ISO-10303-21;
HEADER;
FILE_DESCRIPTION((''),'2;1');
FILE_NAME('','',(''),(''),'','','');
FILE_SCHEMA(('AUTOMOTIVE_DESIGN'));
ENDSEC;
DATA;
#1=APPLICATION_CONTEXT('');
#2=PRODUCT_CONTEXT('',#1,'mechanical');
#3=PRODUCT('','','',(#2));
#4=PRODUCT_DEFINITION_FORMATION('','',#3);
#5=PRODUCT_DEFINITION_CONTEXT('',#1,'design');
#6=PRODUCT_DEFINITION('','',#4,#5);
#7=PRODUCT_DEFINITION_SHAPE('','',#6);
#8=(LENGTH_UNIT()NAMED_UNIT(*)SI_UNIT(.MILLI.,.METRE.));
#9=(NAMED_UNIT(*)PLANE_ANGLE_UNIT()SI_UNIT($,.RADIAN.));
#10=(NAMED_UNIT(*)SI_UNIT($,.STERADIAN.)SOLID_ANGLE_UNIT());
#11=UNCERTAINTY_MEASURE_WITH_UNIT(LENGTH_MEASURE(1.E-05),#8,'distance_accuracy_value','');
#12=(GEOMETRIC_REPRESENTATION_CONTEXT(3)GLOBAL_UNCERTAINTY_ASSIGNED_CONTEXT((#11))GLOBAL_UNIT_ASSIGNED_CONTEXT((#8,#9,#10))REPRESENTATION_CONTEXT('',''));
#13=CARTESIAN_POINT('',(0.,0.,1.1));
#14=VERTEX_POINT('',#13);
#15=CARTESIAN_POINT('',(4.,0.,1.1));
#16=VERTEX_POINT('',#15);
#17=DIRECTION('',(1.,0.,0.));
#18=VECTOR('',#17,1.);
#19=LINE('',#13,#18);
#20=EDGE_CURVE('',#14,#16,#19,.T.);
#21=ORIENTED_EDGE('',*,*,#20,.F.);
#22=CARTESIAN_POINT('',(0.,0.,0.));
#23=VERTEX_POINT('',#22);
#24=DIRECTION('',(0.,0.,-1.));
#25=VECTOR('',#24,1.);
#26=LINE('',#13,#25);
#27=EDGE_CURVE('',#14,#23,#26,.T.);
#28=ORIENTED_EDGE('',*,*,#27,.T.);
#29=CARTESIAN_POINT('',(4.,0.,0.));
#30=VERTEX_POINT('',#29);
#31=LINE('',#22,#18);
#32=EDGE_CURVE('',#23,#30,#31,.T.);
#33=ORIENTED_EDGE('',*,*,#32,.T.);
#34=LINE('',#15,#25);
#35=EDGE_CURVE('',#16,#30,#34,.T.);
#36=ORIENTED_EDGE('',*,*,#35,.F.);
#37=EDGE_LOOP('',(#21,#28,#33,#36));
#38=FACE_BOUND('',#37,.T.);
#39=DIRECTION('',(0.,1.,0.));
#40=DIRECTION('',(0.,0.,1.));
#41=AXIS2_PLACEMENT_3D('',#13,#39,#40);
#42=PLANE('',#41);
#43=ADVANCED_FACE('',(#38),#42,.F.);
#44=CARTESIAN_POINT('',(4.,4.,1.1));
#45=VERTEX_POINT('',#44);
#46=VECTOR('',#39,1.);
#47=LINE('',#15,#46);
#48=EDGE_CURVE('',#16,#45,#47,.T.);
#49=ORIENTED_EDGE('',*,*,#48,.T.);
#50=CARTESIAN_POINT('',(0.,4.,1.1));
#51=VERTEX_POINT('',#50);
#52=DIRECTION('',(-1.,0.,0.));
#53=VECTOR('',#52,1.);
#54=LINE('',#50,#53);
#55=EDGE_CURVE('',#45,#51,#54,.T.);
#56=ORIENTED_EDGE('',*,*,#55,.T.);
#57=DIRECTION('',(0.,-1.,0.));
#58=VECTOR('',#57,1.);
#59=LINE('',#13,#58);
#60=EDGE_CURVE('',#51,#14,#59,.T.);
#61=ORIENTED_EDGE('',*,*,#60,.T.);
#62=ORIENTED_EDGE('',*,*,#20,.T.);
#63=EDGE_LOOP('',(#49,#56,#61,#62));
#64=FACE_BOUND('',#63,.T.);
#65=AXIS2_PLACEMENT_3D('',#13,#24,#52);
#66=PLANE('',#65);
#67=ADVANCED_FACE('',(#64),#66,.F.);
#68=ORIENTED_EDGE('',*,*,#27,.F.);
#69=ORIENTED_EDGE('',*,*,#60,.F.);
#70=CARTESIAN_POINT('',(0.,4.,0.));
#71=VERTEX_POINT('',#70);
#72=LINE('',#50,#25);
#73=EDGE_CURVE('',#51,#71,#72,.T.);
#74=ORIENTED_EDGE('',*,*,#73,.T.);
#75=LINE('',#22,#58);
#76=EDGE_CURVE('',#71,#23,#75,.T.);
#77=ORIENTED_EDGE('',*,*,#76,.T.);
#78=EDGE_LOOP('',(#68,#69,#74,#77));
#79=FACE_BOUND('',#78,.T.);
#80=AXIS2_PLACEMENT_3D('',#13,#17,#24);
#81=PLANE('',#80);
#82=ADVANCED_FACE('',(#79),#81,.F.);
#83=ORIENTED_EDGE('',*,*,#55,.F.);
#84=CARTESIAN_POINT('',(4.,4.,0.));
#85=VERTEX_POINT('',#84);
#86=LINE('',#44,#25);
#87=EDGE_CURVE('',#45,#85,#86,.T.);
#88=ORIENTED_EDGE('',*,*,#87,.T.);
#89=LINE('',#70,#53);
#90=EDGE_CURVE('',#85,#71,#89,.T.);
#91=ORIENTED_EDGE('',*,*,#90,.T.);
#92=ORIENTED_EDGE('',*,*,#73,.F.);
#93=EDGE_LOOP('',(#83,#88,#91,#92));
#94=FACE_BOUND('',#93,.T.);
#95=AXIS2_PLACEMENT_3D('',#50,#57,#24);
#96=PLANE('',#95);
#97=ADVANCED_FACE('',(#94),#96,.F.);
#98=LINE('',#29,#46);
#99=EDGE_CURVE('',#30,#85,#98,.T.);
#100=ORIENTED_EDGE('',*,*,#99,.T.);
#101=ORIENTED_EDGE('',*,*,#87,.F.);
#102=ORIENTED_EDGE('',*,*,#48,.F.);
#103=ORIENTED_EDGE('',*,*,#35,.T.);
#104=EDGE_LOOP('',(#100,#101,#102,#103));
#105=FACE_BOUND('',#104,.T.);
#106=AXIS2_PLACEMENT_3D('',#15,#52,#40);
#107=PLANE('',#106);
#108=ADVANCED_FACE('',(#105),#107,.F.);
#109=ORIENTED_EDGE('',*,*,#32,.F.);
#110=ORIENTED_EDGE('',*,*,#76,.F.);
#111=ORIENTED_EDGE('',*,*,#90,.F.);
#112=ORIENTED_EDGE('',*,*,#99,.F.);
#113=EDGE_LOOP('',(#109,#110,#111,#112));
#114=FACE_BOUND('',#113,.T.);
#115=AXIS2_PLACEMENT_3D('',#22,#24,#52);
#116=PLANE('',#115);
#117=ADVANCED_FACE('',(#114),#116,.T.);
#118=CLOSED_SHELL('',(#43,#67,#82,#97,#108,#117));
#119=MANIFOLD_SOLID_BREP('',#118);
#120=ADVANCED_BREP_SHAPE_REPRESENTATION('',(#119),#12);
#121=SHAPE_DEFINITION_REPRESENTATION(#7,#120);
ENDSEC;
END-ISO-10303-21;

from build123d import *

# Parameters (mm, degrees)
SKETCH_1_W      = 4
SKETCH_1_H      = 4
EXTRUDE_1_DEPTH = 1.1


with BuildPart() as part:
    # Эскиз1 → Бобышка-Вытянуть1 (new body)
    with BuildSketch(Plane.XY):
        with Locations((2, 2)):
            Rectangle(SKETCH_1_W, SKETCH_1_H)
    extrude(amount=EXTRUDE_1_DEPTH)


solid = part.part
